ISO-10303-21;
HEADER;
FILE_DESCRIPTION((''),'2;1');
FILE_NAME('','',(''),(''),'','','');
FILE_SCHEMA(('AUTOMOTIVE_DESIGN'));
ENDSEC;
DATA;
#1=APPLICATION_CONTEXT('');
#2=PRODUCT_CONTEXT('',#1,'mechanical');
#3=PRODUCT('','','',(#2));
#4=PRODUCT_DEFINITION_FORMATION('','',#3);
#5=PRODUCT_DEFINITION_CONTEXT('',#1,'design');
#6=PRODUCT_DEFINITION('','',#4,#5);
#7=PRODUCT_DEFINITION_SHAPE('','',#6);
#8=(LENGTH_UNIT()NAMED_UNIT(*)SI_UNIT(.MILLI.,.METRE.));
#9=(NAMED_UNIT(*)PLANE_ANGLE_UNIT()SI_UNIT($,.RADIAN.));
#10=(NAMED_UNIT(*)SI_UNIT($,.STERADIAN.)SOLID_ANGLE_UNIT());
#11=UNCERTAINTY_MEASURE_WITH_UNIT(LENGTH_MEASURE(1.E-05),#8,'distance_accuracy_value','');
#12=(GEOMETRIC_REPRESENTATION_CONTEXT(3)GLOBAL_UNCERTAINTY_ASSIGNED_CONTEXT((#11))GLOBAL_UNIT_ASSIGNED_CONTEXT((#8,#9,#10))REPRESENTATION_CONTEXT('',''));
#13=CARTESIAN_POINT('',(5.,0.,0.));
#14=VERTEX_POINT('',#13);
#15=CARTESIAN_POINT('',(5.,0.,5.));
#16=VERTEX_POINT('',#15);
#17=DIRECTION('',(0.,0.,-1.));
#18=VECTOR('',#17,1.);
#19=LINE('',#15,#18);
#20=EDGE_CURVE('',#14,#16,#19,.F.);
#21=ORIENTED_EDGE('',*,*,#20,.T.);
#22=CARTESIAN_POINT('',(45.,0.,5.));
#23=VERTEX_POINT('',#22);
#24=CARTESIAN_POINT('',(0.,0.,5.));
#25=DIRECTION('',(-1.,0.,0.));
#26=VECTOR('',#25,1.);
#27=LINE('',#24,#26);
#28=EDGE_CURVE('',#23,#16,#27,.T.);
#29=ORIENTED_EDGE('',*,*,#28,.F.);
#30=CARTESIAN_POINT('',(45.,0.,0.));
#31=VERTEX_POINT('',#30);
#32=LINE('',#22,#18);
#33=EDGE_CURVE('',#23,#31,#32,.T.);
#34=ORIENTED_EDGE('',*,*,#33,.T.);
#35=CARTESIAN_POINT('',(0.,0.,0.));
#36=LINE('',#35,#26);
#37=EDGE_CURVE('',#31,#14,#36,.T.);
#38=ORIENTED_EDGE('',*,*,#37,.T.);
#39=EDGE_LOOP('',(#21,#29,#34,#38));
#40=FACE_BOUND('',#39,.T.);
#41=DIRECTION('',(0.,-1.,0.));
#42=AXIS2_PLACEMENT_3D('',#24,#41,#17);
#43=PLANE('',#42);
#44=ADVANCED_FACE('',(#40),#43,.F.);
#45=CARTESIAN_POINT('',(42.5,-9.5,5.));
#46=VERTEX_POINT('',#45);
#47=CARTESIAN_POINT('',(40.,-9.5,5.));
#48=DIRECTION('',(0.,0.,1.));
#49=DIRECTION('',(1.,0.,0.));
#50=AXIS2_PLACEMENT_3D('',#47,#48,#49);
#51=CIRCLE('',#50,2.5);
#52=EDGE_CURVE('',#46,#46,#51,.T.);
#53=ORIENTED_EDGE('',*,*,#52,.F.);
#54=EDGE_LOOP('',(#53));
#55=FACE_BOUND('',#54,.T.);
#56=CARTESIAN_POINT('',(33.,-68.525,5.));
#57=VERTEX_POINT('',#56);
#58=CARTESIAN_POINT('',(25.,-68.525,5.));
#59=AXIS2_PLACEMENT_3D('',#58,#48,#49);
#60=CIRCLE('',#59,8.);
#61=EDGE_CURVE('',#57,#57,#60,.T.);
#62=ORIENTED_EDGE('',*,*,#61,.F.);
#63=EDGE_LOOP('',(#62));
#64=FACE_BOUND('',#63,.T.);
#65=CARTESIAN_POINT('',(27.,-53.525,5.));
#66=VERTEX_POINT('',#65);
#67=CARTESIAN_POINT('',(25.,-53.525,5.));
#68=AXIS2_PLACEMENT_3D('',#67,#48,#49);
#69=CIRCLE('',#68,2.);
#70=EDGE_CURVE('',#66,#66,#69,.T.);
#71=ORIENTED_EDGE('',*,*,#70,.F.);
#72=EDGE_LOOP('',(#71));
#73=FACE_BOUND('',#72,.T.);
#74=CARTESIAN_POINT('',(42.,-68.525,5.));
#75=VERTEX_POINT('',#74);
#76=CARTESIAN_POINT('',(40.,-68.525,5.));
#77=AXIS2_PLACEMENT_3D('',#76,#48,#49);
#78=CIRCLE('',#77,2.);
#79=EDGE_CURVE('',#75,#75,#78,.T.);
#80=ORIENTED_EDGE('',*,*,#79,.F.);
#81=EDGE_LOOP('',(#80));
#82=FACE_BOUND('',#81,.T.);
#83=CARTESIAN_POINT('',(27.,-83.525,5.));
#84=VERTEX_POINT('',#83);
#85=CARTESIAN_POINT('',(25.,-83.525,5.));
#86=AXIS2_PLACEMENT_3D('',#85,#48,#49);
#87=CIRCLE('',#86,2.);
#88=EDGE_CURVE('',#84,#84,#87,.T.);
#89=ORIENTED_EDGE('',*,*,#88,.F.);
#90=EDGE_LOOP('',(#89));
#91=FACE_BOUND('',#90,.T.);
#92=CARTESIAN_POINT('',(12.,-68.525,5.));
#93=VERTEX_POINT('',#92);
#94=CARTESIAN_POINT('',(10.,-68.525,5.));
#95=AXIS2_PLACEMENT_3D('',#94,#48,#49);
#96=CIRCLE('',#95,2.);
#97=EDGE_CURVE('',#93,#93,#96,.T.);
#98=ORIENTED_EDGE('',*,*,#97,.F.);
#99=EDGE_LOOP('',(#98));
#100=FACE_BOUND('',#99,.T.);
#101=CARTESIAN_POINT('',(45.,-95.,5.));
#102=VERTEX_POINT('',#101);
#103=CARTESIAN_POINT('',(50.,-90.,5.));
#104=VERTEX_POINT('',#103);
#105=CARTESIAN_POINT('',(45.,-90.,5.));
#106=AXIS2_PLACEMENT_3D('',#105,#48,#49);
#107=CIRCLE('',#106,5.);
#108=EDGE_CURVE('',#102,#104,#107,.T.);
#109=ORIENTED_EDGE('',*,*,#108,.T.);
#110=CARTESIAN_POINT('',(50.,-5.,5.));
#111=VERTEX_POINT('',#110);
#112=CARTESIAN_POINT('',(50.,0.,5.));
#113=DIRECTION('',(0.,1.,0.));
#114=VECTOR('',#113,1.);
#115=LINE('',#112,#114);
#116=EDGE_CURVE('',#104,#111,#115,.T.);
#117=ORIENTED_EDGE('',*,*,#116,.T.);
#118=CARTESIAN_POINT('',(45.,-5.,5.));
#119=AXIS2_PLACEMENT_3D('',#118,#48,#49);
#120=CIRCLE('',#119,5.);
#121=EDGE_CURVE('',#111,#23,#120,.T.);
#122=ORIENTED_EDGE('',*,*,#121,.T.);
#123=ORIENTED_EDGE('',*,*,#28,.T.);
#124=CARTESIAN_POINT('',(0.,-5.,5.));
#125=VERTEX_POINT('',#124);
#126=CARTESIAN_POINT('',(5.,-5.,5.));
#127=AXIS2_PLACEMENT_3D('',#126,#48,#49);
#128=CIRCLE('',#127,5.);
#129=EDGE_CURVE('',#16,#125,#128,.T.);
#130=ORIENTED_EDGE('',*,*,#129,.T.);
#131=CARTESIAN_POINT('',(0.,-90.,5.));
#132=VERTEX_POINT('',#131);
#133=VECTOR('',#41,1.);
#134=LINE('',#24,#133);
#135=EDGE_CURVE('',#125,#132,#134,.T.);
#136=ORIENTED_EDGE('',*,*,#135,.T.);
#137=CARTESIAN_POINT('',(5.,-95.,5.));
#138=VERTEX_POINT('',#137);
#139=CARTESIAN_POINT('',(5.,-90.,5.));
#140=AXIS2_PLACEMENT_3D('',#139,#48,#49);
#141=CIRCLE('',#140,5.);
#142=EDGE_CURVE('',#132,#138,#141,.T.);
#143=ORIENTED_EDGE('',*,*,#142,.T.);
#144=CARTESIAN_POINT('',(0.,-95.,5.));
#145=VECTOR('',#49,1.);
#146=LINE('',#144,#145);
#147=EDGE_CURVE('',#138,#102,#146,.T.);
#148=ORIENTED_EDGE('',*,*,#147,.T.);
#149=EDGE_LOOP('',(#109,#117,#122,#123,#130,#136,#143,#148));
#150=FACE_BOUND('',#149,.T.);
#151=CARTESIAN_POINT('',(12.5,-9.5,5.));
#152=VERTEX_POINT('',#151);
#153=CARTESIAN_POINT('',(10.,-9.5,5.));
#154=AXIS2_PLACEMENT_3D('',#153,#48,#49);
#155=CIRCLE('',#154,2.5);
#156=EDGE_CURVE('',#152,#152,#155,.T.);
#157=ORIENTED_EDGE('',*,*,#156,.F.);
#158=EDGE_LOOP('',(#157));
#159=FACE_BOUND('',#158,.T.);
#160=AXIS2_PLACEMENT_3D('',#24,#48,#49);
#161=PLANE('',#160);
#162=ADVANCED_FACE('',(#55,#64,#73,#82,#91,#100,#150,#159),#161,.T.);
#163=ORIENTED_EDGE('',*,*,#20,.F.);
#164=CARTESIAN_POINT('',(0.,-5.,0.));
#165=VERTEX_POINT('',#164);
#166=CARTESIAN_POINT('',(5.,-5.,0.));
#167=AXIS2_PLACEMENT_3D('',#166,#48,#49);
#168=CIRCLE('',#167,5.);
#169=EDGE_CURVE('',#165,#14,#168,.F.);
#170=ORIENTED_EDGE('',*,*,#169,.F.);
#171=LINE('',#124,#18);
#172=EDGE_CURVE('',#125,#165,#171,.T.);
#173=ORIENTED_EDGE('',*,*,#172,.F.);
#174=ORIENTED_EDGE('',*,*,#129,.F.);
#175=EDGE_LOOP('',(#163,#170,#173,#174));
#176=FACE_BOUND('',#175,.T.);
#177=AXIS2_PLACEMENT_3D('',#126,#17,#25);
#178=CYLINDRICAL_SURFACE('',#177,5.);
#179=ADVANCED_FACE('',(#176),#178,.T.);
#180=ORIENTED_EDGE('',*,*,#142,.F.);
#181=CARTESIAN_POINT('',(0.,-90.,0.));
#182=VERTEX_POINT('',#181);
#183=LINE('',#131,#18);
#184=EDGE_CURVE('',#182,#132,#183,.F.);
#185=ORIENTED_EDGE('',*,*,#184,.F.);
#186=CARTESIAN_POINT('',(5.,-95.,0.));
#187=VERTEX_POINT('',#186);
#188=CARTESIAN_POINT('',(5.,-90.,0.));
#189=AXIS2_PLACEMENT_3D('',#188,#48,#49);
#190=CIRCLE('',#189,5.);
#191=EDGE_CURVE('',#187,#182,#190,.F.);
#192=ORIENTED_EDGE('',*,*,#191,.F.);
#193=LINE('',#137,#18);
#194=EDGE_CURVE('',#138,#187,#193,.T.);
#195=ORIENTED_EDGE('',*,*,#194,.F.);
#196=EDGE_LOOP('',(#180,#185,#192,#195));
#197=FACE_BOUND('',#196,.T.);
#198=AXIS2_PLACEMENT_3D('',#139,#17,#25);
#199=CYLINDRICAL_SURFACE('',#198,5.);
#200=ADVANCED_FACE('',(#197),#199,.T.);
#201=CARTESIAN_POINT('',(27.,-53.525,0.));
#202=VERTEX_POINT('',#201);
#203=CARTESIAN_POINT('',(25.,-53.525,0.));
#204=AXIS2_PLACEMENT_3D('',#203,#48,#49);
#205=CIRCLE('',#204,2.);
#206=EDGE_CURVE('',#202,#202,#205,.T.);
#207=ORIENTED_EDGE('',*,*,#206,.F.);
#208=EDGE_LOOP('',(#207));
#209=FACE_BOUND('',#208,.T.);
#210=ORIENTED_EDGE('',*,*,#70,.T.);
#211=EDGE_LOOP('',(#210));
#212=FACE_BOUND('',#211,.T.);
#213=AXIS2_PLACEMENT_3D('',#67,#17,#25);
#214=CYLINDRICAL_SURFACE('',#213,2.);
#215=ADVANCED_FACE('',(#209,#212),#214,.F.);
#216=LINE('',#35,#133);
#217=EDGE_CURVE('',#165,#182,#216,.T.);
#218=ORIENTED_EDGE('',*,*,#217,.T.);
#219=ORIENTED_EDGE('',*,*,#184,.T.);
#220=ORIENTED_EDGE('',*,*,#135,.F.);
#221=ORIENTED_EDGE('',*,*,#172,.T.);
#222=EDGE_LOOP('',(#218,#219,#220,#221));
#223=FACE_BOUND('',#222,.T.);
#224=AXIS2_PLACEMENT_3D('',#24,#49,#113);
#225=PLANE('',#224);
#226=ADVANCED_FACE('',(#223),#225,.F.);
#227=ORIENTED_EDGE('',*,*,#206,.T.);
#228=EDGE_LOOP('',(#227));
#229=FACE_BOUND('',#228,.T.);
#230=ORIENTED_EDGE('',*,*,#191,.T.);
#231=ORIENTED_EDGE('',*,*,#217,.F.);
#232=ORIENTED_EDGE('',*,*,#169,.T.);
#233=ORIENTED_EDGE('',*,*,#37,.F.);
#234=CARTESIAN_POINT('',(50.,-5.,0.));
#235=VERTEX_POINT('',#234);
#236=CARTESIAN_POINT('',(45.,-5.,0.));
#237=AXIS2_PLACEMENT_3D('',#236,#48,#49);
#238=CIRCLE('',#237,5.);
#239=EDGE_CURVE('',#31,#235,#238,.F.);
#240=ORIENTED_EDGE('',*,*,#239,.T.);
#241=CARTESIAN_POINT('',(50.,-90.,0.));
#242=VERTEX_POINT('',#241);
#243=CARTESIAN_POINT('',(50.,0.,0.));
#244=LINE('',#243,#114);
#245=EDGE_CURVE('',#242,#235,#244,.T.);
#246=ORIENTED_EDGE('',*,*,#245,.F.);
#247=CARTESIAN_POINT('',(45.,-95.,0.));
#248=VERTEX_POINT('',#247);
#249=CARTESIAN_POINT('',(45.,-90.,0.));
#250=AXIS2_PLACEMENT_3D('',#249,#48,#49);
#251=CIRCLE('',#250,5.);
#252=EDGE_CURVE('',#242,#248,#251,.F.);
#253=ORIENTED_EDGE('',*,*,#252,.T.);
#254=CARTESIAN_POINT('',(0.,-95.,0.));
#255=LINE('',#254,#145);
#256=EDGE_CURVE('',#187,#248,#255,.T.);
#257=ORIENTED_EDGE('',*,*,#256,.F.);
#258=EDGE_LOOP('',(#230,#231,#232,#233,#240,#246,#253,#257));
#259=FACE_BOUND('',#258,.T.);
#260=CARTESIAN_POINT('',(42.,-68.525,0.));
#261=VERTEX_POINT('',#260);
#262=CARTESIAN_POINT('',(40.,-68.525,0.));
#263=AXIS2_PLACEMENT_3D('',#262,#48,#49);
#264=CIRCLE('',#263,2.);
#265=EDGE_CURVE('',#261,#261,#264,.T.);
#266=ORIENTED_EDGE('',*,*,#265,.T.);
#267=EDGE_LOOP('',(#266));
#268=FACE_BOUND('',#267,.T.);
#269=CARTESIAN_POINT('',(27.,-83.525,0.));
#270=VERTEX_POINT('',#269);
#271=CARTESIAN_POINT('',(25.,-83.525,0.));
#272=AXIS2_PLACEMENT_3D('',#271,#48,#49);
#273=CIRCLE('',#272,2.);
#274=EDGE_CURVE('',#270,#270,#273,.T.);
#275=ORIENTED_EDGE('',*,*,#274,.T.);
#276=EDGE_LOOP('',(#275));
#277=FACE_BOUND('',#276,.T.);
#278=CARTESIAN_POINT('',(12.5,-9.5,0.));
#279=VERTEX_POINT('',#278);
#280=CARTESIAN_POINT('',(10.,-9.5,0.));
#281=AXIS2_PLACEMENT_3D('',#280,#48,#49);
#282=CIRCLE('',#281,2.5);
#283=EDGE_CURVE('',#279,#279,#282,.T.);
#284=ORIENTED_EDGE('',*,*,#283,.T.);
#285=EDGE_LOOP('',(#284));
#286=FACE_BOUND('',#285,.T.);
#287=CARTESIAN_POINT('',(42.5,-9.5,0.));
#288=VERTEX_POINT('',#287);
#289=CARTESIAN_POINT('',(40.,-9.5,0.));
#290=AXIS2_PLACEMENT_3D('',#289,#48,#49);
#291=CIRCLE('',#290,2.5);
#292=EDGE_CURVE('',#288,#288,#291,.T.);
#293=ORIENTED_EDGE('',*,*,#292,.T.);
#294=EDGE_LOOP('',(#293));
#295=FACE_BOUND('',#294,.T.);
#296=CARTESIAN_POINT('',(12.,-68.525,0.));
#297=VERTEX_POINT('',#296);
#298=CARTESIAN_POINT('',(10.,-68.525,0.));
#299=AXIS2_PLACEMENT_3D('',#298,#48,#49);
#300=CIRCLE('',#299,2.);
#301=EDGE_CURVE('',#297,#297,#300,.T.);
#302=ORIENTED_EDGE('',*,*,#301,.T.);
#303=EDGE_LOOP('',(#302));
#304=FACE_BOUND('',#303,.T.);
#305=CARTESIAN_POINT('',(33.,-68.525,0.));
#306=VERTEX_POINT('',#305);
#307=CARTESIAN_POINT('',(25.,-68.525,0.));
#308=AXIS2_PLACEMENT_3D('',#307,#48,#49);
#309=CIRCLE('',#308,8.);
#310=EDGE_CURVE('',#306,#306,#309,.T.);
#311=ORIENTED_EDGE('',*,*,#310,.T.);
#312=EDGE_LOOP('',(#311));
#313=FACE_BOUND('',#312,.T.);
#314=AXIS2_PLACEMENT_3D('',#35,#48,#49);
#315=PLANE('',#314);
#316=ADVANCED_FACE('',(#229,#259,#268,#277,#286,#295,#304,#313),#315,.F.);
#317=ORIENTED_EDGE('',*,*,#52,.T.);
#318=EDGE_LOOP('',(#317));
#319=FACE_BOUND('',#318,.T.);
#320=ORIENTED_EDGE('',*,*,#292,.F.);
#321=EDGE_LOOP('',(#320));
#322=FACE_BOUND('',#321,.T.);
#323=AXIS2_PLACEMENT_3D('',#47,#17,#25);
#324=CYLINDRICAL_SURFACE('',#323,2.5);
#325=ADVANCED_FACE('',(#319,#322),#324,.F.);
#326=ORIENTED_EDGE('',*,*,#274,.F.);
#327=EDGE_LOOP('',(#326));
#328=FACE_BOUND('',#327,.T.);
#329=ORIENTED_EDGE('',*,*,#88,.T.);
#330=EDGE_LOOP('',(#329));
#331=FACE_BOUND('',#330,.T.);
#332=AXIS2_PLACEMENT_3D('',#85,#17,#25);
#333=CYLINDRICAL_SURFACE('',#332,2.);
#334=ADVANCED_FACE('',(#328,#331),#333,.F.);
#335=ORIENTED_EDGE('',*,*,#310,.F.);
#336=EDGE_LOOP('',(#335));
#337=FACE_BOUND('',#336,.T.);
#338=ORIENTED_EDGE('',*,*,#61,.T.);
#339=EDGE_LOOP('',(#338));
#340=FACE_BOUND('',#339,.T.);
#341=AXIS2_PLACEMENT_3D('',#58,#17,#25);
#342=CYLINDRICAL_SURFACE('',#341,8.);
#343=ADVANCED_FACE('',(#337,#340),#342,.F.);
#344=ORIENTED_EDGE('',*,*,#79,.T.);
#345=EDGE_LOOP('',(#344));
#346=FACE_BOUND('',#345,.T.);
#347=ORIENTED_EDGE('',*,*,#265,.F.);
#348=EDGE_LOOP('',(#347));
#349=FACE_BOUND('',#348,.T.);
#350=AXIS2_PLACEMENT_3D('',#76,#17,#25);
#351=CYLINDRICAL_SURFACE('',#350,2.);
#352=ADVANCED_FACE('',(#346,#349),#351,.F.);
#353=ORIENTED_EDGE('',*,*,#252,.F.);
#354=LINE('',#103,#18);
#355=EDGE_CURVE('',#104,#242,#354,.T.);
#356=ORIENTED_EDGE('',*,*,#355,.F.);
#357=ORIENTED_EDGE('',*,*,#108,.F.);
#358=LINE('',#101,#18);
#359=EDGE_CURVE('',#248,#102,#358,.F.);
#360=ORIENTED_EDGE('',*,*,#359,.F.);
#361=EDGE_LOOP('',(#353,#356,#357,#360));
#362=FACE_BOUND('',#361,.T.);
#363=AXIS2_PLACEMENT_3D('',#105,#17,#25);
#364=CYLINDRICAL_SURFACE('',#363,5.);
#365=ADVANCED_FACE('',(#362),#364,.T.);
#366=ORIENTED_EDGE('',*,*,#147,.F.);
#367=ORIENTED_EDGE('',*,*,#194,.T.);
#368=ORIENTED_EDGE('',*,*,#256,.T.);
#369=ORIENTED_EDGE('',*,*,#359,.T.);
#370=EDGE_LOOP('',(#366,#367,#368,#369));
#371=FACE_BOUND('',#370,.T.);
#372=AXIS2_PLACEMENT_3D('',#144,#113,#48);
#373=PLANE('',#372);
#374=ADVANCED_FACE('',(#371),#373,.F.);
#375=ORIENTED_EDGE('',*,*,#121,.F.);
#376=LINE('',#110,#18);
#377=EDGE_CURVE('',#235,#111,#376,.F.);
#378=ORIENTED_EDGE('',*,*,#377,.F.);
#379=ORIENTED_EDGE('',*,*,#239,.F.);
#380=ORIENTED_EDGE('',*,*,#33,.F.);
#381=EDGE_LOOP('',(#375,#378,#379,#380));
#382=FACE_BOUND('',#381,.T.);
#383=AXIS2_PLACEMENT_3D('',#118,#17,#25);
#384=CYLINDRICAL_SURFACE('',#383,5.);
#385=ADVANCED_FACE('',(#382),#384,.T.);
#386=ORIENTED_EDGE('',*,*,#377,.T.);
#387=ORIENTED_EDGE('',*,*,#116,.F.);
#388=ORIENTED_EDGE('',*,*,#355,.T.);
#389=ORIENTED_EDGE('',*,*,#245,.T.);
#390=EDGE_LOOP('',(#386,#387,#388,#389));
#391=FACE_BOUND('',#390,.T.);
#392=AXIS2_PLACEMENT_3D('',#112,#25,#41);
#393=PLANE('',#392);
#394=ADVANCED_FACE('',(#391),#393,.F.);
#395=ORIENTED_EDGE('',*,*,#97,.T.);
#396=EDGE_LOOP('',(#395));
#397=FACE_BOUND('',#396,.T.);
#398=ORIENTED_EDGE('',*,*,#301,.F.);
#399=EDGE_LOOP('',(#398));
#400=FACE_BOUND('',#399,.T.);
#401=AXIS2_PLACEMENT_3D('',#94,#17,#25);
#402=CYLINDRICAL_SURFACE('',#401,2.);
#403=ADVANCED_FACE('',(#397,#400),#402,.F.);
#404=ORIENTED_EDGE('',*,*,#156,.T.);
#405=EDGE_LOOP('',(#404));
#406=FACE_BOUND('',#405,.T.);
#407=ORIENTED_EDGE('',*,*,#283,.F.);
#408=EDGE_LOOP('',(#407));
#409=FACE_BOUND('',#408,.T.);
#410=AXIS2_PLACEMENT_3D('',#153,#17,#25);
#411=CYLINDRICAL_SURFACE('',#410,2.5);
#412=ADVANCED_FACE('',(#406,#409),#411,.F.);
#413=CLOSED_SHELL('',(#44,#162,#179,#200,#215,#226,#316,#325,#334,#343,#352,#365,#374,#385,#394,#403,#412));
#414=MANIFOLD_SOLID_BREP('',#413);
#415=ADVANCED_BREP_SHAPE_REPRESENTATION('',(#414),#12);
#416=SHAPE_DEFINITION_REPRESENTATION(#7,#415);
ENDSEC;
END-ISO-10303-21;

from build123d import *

# Parameters (mm, degrees)
SKETCH1_W           = 50
SKETCH1_H           = 95
SKETCH1_R           = 2.5
SKETCH1_R_2         = 8
SKETCH1_R_3         = 2
BOSS_EXTRUDE1_DEPTH = 5
FILLET1_R           = 5


with BuildPart() as part:
    # Sketch1 → Boss-Extrude1 (new body)
    with BuildSketch(Plane.XY):
        with Locations((25, -47.5)):
            Rectangle(SKETCH1_W, SKETCH1_H)
        with Locations((10, -9.5)):
            Circle(SKETCH1_R, mode=Mode.SUBTRACT)
        with Locations((40, -9.5)):
            Circle(SKETCH1_R, mode=Mode.SUBTRACT)
        with Locations((25, -68.525)):
            Circle(SKETCH1_R_2, mode=Mode.SUBTRACT)
        with Locations((25, -53.525)):
            Circle(SKETCH1_R_3, mode=Mode.SUBTRACT)
        with Locations((40, -68.525)):
            Circle(SKETCH1_R_3, mode=Mode.SUBTRACT)
        with Locations((25, -83.525)):
            Circle(SKETCH1_R_3, mode=Mode.SUBTRACT)
        with Locations((10, -68.525)):
            Circle(SKETCH1_R_3, mode=Mode.SUBTRACT)
    extrude(amount=BOSS_EXTRUDE1_DEPTH)

    # Fillet1
    fillet1_edges = [part.edges().sort_by_distance(p)[0] for p in [
        (0, 0, 2.5),
        (50, 0, 2.5),
        (50, -95, 2.5),
        (0, -95, 2.5),
    ]]
    fillet(fillet1_edges, radius=FILLET1_R)


solid = part.part
